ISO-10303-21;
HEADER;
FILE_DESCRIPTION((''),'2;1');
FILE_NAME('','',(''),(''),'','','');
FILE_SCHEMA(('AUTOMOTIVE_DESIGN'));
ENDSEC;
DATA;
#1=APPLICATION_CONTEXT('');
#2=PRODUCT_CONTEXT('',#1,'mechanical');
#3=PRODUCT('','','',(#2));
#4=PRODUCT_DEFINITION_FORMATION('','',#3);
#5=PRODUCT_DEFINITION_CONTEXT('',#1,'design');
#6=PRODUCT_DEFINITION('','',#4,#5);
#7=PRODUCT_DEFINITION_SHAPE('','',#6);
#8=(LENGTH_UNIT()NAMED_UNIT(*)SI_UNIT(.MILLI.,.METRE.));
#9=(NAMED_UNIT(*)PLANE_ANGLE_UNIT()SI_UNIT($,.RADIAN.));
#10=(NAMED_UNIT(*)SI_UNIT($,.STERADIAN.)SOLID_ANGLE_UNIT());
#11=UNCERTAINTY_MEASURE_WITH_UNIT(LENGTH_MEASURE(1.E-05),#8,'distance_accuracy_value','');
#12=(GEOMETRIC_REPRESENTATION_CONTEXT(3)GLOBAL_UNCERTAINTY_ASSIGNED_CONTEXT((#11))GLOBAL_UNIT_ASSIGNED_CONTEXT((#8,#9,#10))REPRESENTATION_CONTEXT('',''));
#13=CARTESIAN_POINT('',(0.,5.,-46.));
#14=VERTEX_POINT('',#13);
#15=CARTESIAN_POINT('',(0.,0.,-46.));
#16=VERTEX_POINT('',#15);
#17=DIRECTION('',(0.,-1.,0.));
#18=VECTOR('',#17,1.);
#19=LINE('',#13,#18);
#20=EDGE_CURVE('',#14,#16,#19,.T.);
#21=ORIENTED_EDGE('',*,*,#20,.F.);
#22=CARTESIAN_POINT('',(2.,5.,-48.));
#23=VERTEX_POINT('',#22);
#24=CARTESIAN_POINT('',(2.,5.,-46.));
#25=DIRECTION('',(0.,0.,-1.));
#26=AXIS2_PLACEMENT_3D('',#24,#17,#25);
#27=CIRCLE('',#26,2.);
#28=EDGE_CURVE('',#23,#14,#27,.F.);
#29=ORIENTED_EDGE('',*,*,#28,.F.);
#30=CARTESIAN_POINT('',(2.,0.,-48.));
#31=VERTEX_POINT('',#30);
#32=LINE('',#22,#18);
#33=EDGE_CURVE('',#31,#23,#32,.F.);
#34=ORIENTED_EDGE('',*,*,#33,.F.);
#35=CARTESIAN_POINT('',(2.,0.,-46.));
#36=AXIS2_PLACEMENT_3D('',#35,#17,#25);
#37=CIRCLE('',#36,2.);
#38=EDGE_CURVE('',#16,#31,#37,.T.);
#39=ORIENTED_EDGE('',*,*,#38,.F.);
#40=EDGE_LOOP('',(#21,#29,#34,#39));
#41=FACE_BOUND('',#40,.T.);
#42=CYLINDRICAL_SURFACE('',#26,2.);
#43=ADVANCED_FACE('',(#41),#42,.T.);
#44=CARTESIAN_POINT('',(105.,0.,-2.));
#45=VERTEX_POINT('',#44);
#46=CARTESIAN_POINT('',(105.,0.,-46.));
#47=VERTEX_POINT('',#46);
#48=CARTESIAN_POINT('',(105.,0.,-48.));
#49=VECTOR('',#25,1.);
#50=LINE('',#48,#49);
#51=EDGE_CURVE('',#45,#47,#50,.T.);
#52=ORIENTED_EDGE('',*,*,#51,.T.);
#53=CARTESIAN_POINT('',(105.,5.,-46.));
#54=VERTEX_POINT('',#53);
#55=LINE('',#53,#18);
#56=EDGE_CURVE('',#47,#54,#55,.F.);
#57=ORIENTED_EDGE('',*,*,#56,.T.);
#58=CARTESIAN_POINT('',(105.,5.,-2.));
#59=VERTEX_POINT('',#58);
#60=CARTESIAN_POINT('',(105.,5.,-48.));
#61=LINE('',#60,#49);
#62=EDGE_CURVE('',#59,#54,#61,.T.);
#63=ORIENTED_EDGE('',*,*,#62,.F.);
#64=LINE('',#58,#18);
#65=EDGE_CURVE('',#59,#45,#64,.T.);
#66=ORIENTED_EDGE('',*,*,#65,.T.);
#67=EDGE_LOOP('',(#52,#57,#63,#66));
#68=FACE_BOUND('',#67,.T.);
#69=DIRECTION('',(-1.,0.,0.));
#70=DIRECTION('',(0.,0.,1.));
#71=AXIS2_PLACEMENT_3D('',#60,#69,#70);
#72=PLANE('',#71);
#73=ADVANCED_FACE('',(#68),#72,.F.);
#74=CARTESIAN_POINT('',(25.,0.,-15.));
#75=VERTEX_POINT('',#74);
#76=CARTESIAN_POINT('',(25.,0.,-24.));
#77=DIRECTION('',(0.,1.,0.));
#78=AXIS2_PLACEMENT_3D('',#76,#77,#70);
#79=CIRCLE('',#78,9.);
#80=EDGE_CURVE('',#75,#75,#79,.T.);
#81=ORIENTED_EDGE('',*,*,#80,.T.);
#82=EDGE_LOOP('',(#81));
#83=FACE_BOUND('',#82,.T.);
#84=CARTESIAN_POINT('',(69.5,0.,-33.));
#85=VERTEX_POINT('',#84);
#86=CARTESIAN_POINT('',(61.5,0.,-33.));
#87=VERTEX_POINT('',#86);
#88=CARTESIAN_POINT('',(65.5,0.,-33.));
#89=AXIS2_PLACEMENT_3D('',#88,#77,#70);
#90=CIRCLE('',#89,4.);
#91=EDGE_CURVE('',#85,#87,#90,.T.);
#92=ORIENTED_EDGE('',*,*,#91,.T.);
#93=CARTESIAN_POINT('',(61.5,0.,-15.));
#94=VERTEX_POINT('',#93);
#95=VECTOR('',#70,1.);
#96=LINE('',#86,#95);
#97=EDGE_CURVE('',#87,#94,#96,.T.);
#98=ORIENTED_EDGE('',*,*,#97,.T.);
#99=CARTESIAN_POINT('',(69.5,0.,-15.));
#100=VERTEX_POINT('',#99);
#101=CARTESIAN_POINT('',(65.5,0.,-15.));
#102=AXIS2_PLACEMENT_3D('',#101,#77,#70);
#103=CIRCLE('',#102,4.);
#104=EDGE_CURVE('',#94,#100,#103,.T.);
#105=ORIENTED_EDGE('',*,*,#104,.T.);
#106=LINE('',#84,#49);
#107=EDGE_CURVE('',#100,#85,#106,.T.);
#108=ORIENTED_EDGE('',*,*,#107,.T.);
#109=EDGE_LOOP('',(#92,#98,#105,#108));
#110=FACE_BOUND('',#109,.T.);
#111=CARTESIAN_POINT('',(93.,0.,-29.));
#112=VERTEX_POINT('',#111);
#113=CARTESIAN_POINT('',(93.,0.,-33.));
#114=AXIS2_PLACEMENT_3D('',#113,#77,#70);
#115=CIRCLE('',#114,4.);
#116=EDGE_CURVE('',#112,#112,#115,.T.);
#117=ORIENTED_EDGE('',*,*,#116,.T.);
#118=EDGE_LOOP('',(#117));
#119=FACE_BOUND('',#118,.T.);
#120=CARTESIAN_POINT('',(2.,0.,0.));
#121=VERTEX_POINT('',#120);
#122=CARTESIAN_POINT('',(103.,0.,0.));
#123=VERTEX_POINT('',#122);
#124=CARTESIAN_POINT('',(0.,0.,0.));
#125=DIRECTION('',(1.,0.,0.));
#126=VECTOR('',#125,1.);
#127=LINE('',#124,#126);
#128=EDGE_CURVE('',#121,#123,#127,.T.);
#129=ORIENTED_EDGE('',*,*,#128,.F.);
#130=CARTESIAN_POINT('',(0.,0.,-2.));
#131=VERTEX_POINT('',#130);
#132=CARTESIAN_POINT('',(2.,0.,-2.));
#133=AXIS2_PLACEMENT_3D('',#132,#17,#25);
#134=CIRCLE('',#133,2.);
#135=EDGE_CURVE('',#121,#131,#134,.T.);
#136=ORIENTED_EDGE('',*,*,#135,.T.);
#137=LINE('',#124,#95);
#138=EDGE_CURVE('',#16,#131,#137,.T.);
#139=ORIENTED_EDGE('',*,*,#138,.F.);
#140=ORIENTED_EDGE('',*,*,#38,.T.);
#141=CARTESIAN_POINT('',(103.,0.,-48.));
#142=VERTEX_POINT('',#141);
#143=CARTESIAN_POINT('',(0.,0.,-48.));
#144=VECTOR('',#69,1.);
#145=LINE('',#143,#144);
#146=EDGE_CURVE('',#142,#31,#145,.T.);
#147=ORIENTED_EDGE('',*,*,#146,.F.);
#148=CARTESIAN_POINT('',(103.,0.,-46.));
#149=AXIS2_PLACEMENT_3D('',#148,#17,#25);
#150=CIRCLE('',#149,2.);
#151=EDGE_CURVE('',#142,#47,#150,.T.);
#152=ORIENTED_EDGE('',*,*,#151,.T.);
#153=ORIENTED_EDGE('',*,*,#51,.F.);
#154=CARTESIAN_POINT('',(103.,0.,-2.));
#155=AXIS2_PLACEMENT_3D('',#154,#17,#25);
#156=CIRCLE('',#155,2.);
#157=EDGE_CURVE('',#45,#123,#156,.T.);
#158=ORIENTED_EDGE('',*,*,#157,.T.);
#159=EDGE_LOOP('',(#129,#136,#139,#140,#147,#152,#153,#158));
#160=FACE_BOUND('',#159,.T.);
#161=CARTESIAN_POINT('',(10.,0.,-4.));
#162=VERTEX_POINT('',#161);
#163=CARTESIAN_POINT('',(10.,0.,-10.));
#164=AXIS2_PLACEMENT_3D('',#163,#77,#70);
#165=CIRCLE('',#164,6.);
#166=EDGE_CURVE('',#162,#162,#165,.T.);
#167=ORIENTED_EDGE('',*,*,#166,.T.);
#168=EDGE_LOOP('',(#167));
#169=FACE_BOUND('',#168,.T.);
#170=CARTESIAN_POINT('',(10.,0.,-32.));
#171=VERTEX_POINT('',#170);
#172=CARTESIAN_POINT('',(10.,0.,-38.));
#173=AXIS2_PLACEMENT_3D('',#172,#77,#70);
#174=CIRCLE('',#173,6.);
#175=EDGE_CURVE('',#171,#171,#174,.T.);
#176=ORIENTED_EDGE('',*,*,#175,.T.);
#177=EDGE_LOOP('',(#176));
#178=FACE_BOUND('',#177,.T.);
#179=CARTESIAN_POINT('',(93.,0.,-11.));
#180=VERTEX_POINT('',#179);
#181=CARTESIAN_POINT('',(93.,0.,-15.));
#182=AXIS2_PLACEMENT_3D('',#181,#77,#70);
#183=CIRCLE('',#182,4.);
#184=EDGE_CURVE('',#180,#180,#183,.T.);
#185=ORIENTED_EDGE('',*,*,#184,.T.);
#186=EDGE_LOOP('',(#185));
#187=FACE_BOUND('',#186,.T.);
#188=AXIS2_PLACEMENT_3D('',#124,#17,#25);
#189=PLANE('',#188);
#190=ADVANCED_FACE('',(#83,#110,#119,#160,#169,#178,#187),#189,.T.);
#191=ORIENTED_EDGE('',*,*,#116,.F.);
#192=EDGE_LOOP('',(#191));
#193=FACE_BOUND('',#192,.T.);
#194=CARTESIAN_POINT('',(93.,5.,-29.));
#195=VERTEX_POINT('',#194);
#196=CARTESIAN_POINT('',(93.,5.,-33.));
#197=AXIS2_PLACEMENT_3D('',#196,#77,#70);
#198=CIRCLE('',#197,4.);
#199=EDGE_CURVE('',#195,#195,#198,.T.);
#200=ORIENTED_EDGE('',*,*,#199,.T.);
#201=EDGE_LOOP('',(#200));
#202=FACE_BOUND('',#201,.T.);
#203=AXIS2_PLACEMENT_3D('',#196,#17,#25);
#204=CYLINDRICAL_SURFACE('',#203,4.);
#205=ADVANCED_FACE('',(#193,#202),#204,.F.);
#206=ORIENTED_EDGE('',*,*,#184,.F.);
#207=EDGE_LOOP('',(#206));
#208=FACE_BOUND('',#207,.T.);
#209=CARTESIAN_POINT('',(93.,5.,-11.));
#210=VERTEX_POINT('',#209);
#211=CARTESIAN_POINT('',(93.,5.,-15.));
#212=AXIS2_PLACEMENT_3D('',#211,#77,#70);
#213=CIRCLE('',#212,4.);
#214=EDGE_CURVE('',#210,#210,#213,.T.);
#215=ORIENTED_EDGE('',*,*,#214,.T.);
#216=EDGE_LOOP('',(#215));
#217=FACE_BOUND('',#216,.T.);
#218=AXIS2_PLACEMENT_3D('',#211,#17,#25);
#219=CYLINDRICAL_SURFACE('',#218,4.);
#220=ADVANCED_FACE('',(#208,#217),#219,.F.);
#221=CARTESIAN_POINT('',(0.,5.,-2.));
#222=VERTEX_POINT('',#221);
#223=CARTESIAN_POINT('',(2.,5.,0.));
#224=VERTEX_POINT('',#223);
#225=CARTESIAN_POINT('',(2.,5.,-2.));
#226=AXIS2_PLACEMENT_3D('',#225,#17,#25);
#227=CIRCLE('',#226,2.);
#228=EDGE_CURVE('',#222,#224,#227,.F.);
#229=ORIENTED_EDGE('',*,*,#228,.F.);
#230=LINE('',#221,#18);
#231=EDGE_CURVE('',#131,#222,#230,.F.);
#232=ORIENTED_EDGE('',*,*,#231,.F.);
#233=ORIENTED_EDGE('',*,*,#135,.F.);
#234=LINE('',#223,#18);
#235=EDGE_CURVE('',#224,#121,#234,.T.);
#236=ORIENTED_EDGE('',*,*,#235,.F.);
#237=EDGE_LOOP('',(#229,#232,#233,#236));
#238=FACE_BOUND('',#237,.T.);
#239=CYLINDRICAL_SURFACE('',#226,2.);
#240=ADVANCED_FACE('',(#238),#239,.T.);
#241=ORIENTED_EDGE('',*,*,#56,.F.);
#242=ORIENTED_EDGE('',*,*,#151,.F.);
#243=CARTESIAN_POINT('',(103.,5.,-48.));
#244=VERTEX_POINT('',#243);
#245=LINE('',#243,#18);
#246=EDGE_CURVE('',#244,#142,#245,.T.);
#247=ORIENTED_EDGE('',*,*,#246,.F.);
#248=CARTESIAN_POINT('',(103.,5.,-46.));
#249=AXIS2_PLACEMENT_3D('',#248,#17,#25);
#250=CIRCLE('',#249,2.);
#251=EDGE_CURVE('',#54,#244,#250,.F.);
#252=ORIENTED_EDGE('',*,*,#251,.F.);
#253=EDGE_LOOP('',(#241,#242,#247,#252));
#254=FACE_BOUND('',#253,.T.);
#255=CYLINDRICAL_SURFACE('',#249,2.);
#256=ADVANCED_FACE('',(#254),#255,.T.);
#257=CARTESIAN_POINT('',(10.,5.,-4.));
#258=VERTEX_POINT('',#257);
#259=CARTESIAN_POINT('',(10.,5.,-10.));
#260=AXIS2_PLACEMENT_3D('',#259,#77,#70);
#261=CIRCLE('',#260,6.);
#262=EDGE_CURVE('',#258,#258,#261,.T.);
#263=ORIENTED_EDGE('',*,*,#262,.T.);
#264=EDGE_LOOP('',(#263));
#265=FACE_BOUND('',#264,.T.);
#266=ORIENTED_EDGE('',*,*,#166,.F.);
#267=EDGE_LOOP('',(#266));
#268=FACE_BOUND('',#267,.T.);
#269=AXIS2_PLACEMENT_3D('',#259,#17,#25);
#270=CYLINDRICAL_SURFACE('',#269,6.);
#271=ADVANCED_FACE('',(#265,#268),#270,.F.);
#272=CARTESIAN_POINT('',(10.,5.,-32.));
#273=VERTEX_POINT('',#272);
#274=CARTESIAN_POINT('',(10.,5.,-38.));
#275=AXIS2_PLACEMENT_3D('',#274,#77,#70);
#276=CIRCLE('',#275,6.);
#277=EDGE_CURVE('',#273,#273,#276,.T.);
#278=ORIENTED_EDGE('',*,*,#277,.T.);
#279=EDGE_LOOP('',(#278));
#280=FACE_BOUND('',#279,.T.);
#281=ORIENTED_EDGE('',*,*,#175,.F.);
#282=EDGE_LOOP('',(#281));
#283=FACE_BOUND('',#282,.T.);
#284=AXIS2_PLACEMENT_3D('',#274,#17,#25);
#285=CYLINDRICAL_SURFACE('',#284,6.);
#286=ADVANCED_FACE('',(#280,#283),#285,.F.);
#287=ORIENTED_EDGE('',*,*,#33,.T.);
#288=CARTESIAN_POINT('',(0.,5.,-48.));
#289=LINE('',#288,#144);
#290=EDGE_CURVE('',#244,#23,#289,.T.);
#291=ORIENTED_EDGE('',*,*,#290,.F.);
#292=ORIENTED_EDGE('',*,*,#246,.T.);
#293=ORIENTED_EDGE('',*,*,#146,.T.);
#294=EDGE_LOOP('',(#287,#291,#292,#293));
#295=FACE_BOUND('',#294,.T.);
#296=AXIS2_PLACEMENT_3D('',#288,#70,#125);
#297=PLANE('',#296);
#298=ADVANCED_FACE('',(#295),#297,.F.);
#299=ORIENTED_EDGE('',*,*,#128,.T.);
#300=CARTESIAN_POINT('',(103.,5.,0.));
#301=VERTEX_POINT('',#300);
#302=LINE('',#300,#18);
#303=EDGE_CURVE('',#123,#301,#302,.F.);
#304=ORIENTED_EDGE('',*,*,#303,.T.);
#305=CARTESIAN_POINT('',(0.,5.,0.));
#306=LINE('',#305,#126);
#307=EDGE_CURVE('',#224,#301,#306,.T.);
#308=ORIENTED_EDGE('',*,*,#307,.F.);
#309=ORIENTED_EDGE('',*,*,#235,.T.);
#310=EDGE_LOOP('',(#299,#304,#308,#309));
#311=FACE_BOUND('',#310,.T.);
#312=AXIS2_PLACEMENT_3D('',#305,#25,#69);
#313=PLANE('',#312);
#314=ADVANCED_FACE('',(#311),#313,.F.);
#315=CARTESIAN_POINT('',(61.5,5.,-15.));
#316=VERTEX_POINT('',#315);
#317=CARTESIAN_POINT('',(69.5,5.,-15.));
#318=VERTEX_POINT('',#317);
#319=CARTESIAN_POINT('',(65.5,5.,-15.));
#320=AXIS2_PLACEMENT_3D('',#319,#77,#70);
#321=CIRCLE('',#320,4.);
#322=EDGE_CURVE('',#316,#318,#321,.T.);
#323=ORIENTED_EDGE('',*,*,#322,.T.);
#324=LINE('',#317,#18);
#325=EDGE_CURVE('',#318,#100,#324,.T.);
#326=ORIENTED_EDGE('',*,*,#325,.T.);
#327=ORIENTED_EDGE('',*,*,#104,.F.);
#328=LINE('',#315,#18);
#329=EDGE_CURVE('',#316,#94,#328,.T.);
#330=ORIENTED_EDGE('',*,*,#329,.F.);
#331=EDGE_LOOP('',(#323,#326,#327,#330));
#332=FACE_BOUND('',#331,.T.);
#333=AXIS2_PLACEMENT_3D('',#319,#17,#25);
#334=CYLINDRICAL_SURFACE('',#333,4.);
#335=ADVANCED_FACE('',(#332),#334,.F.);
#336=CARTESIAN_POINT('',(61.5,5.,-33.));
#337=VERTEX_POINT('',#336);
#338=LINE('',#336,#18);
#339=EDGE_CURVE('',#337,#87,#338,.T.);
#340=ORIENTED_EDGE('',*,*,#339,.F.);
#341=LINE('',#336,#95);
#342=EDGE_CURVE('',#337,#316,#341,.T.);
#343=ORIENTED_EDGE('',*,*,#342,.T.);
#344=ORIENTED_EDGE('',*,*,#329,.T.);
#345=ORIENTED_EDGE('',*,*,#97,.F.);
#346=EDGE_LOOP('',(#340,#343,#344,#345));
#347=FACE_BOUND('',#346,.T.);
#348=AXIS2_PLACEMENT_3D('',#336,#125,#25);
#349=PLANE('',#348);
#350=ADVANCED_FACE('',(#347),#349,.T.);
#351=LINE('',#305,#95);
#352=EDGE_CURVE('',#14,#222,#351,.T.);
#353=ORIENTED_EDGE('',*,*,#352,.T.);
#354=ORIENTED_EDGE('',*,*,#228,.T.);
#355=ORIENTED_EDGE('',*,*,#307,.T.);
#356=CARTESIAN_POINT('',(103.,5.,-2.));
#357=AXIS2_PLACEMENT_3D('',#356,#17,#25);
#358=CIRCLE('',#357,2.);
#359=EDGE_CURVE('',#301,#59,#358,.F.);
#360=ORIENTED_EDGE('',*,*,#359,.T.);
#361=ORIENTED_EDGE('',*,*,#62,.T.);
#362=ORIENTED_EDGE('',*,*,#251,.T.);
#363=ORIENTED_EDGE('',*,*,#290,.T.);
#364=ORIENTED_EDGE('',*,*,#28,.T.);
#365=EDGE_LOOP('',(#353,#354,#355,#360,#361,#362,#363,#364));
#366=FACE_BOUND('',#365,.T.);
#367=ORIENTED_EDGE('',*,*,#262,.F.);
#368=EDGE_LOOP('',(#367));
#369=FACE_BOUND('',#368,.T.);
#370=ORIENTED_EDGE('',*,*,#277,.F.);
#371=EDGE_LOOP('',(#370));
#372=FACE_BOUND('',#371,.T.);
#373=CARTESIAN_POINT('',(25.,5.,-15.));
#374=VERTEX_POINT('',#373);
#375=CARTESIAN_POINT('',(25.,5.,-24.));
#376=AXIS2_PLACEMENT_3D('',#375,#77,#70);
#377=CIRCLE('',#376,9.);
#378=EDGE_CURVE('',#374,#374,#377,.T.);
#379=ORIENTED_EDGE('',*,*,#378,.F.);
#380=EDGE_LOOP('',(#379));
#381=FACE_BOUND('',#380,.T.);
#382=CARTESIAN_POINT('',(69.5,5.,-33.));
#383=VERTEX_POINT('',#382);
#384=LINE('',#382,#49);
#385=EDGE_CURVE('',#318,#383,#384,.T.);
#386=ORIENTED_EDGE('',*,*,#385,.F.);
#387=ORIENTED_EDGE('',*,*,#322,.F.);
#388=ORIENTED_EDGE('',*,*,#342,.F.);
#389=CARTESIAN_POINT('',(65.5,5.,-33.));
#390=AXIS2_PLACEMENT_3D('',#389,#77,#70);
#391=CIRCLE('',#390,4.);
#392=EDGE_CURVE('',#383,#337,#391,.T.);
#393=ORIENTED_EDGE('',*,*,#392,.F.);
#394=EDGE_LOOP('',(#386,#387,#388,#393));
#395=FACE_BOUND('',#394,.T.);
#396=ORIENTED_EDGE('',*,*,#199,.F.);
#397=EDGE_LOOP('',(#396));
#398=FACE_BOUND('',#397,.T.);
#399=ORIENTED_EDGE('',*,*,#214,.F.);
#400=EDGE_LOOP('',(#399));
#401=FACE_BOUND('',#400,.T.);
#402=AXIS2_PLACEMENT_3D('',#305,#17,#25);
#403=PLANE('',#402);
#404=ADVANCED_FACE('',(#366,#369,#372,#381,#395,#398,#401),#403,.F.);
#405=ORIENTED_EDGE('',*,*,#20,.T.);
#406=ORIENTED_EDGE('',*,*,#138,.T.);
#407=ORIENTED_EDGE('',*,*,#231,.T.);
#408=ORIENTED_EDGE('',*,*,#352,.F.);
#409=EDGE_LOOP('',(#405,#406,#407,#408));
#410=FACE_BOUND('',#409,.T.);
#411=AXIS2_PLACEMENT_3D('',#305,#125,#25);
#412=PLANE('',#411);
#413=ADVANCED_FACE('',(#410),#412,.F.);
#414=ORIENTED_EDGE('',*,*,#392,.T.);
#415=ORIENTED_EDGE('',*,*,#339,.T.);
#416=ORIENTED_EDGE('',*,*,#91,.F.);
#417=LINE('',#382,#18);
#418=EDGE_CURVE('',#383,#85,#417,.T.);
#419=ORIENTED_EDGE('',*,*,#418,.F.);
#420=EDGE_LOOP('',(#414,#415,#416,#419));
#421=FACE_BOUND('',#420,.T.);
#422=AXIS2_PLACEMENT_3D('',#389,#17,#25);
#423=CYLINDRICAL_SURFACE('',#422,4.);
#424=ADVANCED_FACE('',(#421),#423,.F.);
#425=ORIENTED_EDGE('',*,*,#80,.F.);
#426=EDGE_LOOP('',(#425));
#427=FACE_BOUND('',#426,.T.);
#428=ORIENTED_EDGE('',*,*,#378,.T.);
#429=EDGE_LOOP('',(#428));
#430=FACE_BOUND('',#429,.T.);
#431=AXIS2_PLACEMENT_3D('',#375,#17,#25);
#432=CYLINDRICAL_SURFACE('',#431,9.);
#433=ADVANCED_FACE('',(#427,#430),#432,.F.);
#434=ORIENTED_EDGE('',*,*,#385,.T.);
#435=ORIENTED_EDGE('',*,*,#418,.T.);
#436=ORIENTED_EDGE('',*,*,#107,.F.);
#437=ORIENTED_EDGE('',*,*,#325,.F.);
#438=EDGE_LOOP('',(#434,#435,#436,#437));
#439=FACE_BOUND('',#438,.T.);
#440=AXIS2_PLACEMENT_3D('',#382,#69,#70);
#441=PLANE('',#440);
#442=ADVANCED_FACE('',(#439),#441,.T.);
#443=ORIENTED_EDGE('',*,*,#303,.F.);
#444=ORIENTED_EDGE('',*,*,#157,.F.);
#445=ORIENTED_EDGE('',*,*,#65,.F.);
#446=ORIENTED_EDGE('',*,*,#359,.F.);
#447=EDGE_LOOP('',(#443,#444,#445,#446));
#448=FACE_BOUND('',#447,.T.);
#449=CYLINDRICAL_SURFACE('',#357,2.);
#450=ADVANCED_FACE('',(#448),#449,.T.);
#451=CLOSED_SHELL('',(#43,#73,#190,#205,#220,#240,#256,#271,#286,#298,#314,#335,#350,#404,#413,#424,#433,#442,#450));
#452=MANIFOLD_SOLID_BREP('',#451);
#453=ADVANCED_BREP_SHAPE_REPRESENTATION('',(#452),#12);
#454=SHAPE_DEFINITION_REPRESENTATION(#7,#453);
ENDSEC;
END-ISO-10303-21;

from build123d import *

# Parameters (mm, degrees)
SKETCH1_W           = 105
SKETCH1_H           = 48
SKETCH1_R           = 6
SKETCH1_R_2         = 9
SKETCH1_R_3         = 4
BOSS_EXTRUDE1_DEPTH = 5
FILLET1_R           = 2


with BuildPart() as part:
    # Sketch1 → Boss-Extrude1 (new body)
    with BuildSketch(Plane(origin=(0, 0, 0), x_dir=(1, 0, 0), z_dir=(0, 1, 0))):
        with Locations((52.5, 24)):
            Rectangle(SKETCH1_W, SKETCH1_H)
        with Locations(Location((10, 10, 0), (0, 0, 270))):
            Circle(SKETCH1_R, mode=Mode.SUBTRACT)
        with Locations(Location((10, 38, 0), (0, 0, 270))):
            Circle(SKETCH1_R, mode=Mode.SUBTRACT)
        with Locations(Location((25, 24, 0), (0, 0, 270))):
            Circle(SKETCH1_R_2, mode=Mode.SUBTRACT)
        with Locations(Location((93, 15, 0), (0, 0, 270))):
            Circle(SKETCH1_R_3, mode=Mode.SUBTRACT)
        with Locations(Location((93, 33, 0), (0, 0, 270))):
            Circle(SKETCH1_R_3, mode=Mode.SUBTRACT)
        with BuildLine():
            Line((61.5, 33), (61.5, 15))
            ThreePointArc((61.5, 15), (65.5, 11), (69.5, 15))
            Line((69.5, 15), (69.5, 33))
            ThreePointArc((69.5, 33), (65.5, 37), (61.5, 33))
        make_face(mode=Mode.SUBTRACT)
    extrude(amount=BOSS_EXTRUDE1_DEPTH)

    # Fillet1
    fillet1_edges = [part.edges().sort_by_distance(p)[0] for p in [
        (0, 2.5, -48),
        (105, 2.5, -48),
        (105, 2.5, 0),
        (0, 2.5, 0),
    ]]
    fillet(fillet1_edges, radius=FILLET1_R)


solid = part.part
